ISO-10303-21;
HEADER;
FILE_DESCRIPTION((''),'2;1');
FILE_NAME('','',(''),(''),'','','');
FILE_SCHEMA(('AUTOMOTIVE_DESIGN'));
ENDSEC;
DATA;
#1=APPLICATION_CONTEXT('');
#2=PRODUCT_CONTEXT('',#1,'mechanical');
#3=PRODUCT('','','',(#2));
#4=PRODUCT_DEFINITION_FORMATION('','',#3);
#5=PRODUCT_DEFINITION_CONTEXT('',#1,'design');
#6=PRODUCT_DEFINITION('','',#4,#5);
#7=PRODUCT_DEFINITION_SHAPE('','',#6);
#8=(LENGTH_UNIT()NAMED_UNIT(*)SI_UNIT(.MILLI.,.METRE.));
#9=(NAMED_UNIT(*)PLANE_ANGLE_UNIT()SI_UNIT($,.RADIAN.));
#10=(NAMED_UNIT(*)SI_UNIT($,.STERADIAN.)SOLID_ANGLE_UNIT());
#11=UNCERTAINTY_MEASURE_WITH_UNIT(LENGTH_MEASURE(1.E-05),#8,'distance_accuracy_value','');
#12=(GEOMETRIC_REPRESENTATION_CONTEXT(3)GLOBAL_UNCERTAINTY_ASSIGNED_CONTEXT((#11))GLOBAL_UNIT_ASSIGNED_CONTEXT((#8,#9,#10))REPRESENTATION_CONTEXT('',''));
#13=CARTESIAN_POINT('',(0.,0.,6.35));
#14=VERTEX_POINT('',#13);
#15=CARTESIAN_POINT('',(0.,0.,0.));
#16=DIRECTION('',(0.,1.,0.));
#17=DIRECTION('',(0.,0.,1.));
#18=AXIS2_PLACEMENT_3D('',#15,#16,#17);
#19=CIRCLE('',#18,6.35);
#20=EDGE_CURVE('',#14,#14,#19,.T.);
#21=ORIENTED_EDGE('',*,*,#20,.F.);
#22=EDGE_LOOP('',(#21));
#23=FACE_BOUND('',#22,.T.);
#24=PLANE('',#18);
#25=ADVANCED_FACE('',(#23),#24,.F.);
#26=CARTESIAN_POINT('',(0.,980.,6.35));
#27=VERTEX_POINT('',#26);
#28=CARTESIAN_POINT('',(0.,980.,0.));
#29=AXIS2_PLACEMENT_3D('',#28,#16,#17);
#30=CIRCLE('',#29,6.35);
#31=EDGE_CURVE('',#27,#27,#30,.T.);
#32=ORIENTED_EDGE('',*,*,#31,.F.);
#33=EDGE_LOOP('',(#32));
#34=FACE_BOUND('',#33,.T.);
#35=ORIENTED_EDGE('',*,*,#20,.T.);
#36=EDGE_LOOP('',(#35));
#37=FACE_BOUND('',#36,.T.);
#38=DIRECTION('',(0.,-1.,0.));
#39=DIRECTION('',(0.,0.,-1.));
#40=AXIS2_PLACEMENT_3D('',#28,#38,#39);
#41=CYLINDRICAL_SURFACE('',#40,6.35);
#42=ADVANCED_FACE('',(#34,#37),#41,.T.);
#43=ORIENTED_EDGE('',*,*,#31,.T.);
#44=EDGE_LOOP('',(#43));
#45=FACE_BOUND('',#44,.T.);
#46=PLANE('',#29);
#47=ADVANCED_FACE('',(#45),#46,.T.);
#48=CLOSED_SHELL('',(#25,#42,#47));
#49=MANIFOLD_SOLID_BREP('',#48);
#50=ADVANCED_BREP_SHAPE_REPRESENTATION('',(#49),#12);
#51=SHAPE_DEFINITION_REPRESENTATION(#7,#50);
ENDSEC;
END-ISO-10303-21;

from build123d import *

# Parameters (mm, degrees)
CROQUIS1_R = 6.35


with BuildPart() as part:
    # Barrer1: sweep along a path in Croquis2
    with BuildLine(Plane.XY) as barrer1_path:
        Line((0, 0), (0, 980))
    # Croquis1 → Barrer1 (sweep)
    with BuildSketch(Plane(origin=(0, 0, 0), x_dir=(1, 0, 0), z_dir=(0, 1, 0))):
        Circle(CROQUIS1_R)
    sweep(path=barrer1_path.line)


solid = part.part
